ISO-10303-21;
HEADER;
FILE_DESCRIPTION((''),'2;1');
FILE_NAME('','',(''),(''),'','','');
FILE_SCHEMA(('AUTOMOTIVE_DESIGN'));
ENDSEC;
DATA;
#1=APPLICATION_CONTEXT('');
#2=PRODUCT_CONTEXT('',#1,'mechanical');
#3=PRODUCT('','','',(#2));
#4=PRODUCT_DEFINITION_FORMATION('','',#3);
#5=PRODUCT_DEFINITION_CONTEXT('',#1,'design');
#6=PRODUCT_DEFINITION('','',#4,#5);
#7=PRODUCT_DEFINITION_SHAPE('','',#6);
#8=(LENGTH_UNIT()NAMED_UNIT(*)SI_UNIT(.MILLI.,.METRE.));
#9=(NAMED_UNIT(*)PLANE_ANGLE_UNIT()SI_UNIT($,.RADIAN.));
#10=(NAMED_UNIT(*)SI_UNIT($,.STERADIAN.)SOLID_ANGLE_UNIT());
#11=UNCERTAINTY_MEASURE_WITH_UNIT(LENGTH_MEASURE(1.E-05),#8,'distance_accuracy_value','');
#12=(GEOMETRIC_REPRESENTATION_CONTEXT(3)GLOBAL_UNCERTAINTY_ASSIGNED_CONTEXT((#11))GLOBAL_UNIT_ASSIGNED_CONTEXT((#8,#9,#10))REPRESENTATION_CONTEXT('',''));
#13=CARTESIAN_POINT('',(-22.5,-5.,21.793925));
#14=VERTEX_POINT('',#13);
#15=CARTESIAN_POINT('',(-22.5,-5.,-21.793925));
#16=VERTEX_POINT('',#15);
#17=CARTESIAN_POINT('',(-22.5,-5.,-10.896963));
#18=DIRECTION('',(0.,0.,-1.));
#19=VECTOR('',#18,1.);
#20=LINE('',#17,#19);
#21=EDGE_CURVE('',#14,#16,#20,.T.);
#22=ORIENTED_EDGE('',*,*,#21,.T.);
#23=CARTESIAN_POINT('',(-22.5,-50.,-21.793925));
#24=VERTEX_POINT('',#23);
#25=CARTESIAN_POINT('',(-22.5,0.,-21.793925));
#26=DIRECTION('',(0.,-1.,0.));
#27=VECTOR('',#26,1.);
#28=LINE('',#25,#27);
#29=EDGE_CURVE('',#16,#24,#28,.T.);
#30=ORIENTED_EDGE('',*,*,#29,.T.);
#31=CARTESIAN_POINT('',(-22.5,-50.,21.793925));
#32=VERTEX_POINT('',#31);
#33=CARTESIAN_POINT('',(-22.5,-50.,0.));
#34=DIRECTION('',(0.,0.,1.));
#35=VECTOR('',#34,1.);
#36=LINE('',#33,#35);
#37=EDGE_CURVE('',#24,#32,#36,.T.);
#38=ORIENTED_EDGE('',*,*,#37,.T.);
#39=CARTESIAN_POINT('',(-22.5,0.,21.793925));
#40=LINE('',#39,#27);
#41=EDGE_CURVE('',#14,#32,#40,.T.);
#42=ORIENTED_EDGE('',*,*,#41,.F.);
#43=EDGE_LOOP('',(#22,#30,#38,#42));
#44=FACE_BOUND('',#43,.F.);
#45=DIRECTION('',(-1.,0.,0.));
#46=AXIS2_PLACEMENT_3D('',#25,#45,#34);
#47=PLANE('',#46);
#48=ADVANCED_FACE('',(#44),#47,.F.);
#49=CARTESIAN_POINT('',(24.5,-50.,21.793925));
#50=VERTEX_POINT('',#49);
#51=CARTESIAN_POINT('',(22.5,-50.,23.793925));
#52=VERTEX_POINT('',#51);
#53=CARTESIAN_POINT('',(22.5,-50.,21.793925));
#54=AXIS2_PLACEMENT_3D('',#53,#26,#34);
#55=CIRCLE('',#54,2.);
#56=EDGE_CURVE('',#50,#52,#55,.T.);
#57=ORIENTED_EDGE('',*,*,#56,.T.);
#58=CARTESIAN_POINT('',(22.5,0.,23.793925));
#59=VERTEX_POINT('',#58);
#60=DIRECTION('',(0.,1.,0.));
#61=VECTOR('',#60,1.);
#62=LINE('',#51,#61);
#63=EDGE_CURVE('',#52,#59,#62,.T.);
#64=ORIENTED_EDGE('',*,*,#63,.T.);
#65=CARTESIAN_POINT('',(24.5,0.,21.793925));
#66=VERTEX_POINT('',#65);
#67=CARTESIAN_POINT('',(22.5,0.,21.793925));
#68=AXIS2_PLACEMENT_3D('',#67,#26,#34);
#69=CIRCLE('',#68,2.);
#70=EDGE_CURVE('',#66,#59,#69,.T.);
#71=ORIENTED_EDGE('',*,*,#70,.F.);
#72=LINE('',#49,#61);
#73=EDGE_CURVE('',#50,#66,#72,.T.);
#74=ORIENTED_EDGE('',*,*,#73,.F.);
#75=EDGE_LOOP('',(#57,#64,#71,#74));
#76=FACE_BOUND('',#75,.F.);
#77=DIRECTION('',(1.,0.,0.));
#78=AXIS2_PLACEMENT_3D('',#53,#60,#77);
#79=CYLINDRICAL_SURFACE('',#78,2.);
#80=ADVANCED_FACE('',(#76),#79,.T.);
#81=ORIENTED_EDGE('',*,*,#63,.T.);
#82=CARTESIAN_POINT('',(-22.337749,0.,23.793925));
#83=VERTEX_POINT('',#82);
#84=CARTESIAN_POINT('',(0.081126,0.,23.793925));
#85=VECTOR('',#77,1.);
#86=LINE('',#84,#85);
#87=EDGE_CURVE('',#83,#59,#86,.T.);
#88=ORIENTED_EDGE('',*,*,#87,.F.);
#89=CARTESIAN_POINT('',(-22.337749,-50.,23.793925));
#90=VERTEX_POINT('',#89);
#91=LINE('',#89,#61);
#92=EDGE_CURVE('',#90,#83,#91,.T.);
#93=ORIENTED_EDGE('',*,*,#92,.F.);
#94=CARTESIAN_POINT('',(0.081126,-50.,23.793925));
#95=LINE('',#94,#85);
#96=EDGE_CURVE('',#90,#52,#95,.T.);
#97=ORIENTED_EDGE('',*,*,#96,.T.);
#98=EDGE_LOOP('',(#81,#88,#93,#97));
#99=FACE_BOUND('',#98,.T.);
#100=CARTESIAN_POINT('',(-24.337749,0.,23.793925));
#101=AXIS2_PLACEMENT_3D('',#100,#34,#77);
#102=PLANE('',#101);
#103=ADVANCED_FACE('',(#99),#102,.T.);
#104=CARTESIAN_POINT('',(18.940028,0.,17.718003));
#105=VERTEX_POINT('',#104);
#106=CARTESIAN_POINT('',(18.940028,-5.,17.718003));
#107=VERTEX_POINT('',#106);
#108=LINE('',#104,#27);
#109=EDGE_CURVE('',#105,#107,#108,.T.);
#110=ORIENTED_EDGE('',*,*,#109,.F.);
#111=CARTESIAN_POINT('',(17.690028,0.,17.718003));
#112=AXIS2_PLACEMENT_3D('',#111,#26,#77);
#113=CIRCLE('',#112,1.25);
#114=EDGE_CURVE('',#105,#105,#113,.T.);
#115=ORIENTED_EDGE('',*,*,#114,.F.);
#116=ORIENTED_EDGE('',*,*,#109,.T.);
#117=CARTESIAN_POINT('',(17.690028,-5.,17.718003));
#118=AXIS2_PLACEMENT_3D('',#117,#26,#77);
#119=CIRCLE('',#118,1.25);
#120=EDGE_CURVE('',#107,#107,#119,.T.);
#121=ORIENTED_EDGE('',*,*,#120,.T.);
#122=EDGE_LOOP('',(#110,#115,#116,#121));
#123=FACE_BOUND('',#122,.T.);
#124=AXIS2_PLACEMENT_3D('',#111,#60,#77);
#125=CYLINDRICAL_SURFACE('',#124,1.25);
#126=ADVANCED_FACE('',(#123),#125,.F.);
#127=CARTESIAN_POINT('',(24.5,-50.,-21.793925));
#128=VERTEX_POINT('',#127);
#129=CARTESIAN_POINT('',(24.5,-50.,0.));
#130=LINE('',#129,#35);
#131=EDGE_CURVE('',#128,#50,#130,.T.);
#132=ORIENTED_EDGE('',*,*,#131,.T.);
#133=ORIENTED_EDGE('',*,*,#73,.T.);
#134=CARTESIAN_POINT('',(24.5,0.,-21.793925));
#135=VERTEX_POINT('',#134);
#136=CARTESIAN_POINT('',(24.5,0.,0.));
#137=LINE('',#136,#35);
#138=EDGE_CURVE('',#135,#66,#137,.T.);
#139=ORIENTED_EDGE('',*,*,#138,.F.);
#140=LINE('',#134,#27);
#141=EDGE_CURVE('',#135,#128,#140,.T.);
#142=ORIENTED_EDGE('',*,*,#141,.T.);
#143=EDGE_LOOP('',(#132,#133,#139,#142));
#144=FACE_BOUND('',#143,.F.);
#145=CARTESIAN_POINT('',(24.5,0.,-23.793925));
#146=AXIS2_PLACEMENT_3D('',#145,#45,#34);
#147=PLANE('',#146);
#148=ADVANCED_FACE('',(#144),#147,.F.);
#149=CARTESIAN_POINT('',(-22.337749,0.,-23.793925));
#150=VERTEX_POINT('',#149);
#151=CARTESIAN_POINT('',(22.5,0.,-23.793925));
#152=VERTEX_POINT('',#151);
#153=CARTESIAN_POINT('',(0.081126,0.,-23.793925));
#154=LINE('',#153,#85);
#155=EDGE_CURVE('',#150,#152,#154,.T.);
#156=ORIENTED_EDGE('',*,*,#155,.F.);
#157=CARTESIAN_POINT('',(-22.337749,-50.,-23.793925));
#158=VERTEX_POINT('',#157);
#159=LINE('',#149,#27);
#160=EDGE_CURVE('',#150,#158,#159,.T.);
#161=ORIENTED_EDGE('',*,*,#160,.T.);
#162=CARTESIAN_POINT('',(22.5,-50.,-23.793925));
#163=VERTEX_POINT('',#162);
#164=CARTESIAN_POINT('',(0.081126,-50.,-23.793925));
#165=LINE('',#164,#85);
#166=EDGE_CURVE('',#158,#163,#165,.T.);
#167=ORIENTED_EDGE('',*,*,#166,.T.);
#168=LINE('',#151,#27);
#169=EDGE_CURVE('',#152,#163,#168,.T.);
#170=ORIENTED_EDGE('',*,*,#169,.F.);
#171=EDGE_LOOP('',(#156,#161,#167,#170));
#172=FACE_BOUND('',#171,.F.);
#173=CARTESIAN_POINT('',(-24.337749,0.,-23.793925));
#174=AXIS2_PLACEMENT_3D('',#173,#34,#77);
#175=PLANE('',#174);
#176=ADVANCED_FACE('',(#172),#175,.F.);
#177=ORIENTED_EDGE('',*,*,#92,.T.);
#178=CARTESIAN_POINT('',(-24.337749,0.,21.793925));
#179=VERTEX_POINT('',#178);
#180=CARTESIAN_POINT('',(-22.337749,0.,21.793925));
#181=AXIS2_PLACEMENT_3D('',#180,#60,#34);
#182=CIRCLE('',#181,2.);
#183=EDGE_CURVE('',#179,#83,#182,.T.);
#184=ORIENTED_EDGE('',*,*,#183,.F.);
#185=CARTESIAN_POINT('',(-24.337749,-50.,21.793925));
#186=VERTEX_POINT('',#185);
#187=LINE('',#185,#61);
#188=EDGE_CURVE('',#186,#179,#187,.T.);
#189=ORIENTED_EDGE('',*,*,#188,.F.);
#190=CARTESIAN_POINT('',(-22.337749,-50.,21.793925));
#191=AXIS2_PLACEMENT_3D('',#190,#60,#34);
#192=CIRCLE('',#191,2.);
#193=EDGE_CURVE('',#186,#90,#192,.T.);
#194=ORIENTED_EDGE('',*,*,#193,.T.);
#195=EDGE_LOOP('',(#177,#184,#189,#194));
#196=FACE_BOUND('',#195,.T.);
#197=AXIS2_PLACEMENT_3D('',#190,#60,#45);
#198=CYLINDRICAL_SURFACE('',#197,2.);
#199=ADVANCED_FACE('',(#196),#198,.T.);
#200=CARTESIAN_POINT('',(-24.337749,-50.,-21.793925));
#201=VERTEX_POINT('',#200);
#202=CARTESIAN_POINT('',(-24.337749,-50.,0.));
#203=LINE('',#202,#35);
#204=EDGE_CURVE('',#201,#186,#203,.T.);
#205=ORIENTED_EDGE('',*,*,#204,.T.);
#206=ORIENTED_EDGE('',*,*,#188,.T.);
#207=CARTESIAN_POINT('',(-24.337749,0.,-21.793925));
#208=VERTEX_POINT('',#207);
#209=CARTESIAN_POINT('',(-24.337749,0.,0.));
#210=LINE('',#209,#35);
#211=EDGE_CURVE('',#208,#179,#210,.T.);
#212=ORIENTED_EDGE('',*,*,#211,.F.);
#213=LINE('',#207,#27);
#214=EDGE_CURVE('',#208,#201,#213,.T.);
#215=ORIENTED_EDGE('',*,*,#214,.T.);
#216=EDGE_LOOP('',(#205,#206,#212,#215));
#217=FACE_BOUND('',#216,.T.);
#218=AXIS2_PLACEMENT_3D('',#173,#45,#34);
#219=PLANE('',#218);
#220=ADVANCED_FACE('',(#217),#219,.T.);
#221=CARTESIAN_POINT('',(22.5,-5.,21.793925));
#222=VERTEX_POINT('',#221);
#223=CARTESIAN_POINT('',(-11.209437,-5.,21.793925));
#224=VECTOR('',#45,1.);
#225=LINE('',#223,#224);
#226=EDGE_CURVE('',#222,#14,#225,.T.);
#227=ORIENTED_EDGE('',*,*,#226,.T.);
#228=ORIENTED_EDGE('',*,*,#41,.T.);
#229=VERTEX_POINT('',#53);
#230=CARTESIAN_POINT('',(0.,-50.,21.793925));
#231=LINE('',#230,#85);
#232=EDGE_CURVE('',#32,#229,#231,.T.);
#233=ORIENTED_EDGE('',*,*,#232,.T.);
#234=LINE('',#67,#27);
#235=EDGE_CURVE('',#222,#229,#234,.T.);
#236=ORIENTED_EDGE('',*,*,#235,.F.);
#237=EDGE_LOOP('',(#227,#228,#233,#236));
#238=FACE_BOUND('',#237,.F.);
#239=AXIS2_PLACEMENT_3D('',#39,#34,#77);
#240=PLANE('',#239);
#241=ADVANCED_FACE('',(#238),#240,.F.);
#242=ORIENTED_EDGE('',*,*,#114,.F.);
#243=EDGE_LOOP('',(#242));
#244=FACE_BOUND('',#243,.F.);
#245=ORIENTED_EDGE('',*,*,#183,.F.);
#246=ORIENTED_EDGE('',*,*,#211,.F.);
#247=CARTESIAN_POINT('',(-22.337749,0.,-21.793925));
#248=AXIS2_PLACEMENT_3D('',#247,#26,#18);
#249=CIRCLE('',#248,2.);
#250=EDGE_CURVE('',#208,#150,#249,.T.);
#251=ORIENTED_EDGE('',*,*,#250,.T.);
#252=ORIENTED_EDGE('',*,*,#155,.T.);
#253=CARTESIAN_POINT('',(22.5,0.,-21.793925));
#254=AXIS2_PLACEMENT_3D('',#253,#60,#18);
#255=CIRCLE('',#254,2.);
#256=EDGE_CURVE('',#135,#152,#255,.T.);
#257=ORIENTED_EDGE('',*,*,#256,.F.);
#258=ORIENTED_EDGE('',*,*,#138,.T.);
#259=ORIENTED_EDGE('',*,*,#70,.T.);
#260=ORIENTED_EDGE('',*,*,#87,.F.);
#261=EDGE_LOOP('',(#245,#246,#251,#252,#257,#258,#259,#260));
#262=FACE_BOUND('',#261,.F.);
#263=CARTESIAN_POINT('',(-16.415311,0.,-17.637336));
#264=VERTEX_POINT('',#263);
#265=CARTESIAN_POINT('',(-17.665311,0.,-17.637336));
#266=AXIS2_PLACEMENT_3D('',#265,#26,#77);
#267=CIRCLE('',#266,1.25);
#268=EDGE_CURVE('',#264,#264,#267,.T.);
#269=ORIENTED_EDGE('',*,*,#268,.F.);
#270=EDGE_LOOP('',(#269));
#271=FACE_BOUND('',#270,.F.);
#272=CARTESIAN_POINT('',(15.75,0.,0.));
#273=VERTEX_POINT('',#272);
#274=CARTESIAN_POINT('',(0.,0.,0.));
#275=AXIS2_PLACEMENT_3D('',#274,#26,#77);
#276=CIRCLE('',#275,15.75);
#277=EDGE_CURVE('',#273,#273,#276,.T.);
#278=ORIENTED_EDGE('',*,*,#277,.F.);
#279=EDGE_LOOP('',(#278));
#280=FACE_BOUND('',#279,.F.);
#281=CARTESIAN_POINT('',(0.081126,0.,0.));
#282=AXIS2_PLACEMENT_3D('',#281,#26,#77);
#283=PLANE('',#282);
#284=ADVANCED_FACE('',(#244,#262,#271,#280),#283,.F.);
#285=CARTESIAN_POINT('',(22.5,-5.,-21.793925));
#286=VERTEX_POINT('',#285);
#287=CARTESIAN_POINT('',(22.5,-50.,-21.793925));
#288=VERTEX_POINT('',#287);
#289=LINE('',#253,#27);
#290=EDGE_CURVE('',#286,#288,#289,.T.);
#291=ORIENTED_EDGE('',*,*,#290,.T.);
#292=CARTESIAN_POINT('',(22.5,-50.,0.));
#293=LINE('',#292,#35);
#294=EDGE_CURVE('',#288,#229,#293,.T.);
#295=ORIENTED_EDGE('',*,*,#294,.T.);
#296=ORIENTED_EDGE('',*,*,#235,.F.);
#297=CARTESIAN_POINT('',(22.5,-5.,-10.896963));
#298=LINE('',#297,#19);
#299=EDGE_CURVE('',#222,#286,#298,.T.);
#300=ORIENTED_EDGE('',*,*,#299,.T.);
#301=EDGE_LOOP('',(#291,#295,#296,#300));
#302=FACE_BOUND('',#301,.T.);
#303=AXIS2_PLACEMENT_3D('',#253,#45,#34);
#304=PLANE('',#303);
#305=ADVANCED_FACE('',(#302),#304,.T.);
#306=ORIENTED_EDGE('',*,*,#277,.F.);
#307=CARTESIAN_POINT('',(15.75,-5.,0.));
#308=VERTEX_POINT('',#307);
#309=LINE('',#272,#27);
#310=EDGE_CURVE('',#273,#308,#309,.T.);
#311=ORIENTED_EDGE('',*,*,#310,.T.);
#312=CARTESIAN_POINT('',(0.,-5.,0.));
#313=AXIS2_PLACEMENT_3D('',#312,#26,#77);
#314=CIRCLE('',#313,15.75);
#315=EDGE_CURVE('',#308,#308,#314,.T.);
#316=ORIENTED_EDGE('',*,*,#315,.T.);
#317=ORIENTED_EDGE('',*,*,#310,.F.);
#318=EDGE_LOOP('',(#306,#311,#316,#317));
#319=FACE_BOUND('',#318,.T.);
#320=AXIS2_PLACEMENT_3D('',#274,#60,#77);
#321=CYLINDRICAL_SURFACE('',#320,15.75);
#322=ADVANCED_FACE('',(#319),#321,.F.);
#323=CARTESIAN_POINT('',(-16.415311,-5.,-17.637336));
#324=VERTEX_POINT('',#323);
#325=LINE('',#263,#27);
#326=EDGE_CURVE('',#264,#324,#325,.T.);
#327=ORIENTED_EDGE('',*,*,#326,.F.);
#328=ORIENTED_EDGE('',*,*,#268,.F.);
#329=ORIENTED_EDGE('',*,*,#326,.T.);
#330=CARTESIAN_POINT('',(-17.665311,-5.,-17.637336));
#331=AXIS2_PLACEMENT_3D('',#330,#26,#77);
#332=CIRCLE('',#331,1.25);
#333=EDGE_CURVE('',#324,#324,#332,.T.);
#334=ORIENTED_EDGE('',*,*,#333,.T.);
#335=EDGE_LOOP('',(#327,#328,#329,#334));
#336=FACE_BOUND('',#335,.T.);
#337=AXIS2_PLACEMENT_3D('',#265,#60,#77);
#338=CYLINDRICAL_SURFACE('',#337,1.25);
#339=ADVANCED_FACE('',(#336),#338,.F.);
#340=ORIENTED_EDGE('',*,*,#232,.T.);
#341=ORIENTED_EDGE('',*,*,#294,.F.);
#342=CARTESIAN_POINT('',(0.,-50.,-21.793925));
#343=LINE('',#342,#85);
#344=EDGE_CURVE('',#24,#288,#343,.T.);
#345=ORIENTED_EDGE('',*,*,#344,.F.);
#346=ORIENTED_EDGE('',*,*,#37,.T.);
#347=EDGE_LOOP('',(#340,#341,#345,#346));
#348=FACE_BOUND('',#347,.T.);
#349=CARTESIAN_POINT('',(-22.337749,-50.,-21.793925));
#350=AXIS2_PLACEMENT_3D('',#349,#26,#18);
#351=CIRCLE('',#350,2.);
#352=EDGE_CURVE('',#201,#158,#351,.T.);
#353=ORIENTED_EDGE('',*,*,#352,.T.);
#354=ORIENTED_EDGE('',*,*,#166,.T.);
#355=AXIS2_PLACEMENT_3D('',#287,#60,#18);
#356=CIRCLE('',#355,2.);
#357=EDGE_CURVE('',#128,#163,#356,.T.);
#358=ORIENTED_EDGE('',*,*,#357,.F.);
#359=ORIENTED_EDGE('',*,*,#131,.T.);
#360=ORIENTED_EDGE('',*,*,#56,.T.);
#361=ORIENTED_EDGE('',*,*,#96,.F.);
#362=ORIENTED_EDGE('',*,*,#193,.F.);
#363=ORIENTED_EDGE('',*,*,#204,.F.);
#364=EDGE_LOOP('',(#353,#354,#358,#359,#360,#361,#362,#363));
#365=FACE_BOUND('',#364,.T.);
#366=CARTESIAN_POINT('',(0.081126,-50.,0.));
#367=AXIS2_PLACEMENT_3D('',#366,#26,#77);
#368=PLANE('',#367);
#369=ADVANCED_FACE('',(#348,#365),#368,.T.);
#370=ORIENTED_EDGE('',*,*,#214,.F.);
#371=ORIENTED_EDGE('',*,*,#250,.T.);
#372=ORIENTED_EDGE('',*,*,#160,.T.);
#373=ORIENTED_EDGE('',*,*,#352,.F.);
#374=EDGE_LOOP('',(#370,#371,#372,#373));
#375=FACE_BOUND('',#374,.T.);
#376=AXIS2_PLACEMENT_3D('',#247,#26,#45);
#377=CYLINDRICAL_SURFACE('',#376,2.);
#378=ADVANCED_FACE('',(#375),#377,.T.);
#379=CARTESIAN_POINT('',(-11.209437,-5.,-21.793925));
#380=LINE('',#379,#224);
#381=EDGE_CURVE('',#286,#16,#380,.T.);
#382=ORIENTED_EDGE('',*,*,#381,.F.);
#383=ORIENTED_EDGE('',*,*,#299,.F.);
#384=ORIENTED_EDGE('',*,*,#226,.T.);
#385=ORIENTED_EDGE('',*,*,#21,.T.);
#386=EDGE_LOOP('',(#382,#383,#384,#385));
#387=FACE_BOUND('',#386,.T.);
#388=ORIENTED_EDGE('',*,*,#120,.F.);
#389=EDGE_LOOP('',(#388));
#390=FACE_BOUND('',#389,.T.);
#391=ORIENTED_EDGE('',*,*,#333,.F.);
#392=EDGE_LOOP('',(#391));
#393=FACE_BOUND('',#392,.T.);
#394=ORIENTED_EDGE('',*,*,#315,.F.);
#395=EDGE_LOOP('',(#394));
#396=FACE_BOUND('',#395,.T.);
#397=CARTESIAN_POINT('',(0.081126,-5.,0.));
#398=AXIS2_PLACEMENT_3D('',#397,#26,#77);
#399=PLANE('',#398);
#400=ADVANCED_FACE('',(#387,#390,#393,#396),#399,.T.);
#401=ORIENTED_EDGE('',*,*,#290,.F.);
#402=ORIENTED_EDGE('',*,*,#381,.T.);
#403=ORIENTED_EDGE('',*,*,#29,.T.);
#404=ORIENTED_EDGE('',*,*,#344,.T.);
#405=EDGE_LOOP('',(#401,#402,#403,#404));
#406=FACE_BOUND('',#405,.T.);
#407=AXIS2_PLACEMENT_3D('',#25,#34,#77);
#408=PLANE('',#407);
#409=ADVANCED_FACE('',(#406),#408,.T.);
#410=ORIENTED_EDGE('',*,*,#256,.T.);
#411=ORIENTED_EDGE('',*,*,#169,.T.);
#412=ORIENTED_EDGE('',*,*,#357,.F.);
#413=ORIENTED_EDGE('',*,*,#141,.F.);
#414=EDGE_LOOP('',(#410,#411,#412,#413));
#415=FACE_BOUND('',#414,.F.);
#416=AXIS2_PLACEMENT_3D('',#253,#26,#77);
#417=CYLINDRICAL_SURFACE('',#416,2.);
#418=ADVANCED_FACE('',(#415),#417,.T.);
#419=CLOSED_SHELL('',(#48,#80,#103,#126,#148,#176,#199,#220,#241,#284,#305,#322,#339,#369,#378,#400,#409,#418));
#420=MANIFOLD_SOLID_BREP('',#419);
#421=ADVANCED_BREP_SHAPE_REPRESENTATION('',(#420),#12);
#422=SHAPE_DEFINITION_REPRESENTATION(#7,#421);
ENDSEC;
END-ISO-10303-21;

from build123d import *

# Parameters (mm, degrees)
F2_W     = 48.837749362
F2_H     = 47.5878509101
F2_W_2   = 45
F2_H_2   = 43.5878502545
F2_R     = 1.25
F2_R_2   = 15.75
F3_DEPTH = 5
F4_DEPTH = 50
F5_R     = 2


with BuildPart() as f3:
    # F2 (on Front) → F3 (new body)
    with BuildSketch(Plane.XZ):
        with Locations((0.0811256468, 0)):
            Rectangle(F2_W, F2_H)
        Rectangle(F2_W_2, F2_H_2, mode=Mode.SUBTRACT)
        Rectangle(F2_W_2, F2_H_2)
        with Locations((-17.6653114055, -17.6373357058)):
            Circle(F2_R, mode=Mode.SUBTRACT)
        Circle(F2_R_2, mode=Mode.SUBTRACT)
        with Locations((17.6900276539, 17.7180033535)):
            Circle(F2_R, mode=Mode.SUBTRACT)
    extrude(amount=F3_DEPTH)

    # F2 (on Front) → F4 (join)
    with BuildSketch(Plane.XZ):
        with Locations((0.0811256468, 0)):
            Rectangle(F2_W, F2_H)
        Rectangle(F2_W_2, F2_H_2, mode=Mode.SUBTRACT)
    extrude(amount=F4_DEPTH)

    # F5
    f5_edges = [f3.edges().sort_by_distance(p)[0] for p in [
        (-24.337749, -25, 23.793925),
        (24.5, -25, 23.793925),
        (24.5, -25, -23.793925),
        (-24.337749, -25, -23.793925),
    ]]
    fillet(f5_edges, radius=F5_R)


solid = f3.part
